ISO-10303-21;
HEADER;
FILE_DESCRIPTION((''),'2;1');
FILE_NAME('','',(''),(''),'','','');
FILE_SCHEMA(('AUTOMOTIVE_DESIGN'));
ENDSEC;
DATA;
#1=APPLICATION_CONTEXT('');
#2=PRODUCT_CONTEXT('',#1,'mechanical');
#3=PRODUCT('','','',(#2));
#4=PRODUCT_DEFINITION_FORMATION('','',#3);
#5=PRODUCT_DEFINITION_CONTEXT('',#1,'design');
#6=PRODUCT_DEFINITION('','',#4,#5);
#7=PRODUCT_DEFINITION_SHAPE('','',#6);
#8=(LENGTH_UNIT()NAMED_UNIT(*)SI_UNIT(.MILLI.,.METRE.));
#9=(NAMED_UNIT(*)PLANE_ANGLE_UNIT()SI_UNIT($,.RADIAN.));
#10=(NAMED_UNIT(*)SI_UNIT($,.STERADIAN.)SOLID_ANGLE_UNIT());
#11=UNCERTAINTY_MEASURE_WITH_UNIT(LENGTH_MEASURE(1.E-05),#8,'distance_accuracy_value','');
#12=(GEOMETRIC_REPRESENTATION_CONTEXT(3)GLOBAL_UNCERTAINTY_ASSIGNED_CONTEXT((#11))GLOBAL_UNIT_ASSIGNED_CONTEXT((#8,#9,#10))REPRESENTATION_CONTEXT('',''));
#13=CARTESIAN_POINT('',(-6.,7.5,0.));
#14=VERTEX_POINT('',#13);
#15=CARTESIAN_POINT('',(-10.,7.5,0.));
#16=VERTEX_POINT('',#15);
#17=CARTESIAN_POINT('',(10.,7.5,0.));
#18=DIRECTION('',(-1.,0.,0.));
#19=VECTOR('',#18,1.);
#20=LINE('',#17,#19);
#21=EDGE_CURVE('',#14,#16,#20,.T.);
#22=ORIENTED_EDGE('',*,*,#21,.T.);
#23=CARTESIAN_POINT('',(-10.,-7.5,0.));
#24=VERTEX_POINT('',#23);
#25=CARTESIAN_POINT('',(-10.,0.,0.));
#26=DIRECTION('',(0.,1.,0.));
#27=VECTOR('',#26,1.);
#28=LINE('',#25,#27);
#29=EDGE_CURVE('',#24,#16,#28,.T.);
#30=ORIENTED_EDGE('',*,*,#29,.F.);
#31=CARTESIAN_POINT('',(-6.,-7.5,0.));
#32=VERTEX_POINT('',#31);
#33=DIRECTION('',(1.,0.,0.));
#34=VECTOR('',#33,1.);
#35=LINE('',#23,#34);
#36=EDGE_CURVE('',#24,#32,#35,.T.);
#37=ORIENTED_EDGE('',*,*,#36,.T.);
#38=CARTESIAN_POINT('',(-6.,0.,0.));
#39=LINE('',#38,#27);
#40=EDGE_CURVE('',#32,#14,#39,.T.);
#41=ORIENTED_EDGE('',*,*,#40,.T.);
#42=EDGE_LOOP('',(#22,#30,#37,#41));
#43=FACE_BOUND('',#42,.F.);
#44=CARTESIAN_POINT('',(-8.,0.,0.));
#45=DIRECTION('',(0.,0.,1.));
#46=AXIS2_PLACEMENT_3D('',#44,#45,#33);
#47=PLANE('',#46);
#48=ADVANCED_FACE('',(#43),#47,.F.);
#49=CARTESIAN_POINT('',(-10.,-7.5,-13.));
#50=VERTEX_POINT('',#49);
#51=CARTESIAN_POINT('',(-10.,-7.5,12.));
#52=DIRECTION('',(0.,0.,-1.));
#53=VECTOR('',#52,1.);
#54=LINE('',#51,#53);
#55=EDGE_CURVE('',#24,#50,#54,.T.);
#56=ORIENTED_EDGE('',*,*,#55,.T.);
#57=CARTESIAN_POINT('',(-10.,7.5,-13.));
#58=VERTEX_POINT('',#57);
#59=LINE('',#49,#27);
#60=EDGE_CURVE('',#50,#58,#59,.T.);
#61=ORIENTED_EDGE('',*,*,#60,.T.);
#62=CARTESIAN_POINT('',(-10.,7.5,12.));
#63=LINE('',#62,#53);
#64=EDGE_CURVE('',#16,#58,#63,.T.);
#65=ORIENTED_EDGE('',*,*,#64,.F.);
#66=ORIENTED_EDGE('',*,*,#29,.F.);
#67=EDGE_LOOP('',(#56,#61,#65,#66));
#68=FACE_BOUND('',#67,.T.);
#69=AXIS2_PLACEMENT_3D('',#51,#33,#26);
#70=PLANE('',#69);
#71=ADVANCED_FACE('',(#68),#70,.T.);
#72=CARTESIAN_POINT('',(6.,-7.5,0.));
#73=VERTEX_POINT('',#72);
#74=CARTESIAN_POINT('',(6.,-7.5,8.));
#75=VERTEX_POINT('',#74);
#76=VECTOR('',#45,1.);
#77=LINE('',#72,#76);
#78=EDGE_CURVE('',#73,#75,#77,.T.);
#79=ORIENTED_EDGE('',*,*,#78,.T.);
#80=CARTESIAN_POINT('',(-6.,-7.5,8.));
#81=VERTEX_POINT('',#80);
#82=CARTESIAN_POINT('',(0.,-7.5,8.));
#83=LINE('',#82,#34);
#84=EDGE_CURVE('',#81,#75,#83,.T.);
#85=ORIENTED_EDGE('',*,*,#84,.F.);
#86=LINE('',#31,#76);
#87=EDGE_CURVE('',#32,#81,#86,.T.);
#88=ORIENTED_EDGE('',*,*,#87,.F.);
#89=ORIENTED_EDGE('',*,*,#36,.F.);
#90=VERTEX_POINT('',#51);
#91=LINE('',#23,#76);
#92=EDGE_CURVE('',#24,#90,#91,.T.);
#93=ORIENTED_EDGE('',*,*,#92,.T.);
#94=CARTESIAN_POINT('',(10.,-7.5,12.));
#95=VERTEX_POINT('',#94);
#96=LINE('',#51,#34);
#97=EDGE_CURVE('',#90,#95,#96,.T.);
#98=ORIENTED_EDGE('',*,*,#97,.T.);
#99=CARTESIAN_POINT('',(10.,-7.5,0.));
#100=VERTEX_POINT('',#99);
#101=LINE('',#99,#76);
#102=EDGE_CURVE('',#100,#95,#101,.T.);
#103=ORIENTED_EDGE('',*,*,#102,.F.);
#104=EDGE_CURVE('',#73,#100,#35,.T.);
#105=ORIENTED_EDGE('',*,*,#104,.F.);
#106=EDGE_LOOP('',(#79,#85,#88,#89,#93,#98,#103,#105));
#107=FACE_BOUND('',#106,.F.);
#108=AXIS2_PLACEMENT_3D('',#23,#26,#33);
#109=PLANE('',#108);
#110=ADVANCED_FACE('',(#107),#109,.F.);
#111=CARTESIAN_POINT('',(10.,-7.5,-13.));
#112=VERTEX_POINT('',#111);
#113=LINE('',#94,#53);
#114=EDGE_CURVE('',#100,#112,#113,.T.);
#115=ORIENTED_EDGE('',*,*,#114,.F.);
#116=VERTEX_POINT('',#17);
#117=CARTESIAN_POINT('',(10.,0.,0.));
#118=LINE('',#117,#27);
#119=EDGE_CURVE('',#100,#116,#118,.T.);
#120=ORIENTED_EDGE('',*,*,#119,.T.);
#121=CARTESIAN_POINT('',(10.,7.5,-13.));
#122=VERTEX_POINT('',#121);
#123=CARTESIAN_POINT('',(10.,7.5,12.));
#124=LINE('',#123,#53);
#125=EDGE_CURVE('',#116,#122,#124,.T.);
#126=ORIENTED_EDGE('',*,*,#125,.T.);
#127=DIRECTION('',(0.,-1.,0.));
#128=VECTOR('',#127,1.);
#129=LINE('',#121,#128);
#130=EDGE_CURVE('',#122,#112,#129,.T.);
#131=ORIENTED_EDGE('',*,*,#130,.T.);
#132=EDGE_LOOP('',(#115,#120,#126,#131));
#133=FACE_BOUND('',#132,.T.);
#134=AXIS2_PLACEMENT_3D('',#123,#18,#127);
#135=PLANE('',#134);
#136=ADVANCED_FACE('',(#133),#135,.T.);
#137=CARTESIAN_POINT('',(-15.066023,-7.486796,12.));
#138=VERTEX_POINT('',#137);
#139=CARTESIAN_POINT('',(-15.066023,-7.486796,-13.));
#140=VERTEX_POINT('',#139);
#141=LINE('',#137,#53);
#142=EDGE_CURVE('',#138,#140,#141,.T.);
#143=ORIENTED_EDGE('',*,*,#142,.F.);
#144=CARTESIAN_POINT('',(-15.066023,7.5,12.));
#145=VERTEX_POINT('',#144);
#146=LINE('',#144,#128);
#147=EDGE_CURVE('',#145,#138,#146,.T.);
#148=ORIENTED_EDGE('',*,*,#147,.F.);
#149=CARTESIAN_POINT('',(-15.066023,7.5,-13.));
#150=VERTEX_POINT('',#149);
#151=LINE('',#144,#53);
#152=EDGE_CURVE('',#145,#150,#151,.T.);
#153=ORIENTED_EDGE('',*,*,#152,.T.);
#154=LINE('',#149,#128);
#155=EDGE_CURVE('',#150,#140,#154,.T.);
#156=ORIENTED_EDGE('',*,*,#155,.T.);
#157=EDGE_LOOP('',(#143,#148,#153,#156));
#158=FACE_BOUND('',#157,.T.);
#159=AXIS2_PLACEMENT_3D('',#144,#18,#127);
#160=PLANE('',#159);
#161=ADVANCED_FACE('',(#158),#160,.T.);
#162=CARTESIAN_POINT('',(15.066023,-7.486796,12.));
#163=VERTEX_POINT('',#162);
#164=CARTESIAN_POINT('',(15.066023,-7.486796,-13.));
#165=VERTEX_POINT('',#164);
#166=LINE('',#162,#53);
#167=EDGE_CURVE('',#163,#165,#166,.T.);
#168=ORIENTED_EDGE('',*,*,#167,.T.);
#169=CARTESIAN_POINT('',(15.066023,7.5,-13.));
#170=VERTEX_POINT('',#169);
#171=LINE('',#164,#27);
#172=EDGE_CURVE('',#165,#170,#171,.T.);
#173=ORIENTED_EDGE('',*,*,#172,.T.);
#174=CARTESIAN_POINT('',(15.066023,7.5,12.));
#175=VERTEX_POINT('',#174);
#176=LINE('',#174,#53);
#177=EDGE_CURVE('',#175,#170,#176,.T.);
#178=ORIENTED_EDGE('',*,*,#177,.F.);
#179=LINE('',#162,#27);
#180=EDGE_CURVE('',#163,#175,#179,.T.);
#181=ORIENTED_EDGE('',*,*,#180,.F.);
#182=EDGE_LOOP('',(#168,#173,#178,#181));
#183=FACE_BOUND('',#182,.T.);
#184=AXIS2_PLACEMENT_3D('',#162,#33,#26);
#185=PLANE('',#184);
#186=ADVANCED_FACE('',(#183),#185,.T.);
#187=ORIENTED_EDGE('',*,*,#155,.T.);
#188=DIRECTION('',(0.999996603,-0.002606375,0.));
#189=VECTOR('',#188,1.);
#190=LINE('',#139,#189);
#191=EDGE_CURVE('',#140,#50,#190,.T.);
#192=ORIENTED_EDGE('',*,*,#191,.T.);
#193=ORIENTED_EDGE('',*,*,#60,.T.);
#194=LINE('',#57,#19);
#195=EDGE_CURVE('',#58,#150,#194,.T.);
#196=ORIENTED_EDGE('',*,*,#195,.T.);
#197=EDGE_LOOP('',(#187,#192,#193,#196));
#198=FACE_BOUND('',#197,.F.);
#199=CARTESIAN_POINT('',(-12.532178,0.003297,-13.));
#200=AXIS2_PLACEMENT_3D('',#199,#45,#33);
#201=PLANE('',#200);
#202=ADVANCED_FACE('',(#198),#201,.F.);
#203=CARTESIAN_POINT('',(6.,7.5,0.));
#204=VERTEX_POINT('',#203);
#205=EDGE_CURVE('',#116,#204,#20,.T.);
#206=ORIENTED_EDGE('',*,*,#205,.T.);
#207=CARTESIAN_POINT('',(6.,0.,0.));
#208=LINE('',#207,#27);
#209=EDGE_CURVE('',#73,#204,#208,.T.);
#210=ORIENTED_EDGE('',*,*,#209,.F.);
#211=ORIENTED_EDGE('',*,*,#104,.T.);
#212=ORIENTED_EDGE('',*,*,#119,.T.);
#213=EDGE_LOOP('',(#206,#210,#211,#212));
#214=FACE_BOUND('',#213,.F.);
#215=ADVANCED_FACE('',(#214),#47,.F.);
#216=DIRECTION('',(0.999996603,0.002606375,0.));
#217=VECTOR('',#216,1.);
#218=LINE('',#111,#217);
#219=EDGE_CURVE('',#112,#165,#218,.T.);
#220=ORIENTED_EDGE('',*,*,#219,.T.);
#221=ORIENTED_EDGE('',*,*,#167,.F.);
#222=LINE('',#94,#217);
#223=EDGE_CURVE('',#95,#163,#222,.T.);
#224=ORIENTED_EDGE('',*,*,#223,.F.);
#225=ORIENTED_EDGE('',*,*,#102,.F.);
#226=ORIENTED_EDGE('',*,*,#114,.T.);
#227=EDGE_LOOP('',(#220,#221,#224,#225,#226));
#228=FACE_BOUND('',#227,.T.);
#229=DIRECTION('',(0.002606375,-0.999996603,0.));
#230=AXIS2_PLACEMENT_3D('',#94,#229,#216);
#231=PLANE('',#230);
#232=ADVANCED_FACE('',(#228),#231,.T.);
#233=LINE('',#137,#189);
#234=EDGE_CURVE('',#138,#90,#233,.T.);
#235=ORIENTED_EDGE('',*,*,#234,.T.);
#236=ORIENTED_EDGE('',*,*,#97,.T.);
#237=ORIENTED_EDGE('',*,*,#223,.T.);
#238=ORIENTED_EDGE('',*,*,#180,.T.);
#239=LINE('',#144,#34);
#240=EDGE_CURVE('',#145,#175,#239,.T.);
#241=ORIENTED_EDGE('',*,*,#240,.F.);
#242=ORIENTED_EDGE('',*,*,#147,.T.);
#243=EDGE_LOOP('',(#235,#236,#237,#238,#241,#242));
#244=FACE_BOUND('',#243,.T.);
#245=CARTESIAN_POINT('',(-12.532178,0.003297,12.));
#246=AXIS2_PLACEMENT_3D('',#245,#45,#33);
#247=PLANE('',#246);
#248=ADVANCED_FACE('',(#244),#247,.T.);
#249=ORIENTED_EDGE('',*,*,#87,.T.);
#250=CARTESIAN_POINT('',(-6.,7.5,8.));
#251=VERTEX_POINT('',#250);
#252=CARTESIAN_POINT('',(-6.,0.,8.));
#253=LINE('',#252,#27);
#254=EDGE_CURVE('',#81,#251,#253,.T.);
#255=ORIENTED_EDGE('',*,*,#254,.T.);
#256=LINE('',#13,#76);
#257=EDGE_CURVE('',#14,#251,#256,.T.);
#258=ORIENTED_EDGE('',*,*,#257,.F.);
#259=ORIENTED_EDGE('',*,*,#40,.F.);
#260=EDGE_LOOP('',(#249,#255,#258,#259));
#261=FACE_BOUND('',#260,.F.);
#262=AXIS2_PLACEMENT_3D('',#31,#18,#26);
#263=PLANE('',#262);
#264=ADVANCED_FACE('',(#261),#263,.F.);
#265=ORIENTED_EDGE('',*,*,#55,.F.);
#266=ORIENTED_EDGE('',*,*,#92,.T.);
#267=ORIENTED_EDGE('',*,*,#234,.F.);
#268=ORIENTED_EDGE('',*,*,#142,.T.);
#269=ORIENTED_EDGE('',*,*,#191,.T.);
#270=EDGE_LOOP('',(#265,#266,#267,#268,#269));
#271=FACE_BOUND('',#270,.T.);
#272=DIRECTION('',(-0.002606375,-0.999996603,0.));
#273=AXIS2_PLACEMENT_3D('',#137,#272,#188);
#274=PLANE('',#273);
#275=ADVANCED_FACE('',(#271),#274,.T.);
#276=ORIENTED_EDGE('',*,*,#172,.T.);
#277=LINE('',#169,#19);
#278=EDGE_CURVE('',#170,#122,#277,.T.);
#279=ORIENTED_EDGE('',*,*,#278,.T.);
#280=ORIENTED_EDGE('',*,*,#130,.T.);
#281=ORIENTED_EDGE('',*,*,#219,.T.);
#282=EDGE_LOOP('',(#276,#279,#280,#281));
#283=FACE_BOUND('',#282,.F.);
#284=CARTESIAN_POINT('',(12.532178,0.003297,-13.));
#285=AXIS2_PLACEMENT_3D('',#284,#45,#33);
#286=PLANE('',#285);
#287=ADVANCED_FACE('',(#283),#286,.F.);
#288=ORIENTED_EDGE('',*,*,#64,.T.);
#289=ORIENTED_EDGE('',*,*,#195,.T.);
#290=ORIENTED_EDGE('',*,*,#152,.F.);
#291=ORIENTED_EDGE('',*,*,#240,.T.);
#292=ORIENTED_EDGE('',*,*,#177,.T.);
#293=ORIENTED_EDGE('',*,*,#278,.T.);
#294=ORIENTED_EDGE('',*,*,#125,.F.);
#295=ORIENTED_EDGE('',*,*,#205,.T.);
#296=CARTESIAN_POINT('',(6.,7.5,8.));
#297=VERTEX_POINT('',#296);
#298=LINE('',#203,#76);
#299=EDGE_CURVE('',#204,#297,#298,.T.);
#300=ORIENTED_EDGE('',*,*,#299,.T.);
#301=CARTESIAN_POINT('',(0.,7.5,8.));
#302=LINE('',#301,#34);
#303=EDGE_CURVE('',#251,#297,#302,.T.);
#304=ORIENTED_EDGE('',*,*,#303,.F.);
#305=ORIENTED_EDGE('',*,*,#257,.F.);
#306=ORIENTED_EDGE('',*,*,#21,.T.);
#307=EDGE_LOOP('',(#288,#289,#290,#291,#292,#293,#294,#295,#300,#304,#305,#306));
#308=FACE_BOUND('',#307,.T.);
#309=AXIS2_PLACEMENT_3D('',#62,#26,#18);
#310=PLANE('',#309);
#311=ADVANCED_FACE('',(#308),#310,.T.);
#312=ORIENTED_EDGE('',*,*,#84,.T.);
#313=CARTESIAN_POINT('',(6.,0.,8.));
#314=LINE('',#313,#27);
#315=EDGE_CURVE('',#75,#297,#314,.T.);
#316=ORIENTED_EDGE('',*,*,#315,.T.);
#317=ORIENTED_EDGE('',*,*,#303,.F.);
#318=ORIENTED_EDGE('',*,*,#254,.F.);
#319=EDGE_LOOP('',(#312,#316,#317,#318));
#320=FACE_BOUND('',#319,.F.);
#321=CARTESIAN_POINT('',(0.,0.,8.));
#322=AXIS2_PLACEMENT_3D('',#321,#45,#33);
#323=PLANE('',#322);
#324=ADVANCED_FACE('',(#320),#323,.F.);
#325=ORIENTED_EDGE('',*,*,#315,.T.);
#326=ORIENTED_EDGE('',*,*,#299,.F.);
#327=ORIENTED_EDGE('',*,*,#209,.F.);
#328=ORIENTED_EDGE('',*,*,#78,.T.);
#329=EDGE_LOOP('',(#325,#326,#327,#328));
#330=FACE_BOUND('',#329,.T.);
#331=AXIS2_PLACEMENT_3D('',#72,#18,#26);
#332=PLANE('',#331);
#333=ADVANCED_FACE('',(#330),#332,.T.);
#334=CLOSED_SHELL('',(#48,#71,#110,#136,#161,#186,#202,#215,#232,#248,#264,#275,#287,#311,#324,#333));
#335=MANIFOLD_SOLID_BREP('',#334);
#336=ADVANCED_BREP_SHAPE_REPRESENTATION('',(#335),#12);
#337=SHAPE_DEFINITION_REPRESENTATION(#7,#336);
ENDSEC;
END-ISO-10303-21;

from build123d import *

# Parameters (mm, degrees)
F0_W     = 4
F0_H     = 15
F0_W_2   = 12
F1_DEPTH = 12
F2_DEPTH = 8
F4_DEPTH = 25


with BuildPart() as f1:
    # F0 (on Top) → F1 (new body)
    with BuildSketch(Plane.XY):
        with Locations((-8, 0)):
            Rectangle(F0_W, F0_H)
        Rectangle(F0_W_2, F0_H)
        with Locations((8, 0)):
            Rectangle(F0_W, F0_H)
    extrude(amount=F1_DEPTH)

    # F0 (on Top) → F2 (cut)
    with BuildSketch(Plane.XY):
        Rectangle(F0_W_2, F0_H)
    extrude(amount=F2_DEPTH, mode=Mode.SUBTRACT)

    # F3 (on face) → F4 (join)
    with BuildSketch(Plane.XY.offset(12)):
        Polygon((-10, -7.5), (-10, 7.5), (-15.066023, 7.5), (-15.066023, -7.486796), align=None)
        Polygon((15.066023, 7.5), (10, 7.5), (10, -7.5), (15.066023, -7.486796), align=None)
    extrude(amount=-F4_DEPTH)


solid = f1.part
